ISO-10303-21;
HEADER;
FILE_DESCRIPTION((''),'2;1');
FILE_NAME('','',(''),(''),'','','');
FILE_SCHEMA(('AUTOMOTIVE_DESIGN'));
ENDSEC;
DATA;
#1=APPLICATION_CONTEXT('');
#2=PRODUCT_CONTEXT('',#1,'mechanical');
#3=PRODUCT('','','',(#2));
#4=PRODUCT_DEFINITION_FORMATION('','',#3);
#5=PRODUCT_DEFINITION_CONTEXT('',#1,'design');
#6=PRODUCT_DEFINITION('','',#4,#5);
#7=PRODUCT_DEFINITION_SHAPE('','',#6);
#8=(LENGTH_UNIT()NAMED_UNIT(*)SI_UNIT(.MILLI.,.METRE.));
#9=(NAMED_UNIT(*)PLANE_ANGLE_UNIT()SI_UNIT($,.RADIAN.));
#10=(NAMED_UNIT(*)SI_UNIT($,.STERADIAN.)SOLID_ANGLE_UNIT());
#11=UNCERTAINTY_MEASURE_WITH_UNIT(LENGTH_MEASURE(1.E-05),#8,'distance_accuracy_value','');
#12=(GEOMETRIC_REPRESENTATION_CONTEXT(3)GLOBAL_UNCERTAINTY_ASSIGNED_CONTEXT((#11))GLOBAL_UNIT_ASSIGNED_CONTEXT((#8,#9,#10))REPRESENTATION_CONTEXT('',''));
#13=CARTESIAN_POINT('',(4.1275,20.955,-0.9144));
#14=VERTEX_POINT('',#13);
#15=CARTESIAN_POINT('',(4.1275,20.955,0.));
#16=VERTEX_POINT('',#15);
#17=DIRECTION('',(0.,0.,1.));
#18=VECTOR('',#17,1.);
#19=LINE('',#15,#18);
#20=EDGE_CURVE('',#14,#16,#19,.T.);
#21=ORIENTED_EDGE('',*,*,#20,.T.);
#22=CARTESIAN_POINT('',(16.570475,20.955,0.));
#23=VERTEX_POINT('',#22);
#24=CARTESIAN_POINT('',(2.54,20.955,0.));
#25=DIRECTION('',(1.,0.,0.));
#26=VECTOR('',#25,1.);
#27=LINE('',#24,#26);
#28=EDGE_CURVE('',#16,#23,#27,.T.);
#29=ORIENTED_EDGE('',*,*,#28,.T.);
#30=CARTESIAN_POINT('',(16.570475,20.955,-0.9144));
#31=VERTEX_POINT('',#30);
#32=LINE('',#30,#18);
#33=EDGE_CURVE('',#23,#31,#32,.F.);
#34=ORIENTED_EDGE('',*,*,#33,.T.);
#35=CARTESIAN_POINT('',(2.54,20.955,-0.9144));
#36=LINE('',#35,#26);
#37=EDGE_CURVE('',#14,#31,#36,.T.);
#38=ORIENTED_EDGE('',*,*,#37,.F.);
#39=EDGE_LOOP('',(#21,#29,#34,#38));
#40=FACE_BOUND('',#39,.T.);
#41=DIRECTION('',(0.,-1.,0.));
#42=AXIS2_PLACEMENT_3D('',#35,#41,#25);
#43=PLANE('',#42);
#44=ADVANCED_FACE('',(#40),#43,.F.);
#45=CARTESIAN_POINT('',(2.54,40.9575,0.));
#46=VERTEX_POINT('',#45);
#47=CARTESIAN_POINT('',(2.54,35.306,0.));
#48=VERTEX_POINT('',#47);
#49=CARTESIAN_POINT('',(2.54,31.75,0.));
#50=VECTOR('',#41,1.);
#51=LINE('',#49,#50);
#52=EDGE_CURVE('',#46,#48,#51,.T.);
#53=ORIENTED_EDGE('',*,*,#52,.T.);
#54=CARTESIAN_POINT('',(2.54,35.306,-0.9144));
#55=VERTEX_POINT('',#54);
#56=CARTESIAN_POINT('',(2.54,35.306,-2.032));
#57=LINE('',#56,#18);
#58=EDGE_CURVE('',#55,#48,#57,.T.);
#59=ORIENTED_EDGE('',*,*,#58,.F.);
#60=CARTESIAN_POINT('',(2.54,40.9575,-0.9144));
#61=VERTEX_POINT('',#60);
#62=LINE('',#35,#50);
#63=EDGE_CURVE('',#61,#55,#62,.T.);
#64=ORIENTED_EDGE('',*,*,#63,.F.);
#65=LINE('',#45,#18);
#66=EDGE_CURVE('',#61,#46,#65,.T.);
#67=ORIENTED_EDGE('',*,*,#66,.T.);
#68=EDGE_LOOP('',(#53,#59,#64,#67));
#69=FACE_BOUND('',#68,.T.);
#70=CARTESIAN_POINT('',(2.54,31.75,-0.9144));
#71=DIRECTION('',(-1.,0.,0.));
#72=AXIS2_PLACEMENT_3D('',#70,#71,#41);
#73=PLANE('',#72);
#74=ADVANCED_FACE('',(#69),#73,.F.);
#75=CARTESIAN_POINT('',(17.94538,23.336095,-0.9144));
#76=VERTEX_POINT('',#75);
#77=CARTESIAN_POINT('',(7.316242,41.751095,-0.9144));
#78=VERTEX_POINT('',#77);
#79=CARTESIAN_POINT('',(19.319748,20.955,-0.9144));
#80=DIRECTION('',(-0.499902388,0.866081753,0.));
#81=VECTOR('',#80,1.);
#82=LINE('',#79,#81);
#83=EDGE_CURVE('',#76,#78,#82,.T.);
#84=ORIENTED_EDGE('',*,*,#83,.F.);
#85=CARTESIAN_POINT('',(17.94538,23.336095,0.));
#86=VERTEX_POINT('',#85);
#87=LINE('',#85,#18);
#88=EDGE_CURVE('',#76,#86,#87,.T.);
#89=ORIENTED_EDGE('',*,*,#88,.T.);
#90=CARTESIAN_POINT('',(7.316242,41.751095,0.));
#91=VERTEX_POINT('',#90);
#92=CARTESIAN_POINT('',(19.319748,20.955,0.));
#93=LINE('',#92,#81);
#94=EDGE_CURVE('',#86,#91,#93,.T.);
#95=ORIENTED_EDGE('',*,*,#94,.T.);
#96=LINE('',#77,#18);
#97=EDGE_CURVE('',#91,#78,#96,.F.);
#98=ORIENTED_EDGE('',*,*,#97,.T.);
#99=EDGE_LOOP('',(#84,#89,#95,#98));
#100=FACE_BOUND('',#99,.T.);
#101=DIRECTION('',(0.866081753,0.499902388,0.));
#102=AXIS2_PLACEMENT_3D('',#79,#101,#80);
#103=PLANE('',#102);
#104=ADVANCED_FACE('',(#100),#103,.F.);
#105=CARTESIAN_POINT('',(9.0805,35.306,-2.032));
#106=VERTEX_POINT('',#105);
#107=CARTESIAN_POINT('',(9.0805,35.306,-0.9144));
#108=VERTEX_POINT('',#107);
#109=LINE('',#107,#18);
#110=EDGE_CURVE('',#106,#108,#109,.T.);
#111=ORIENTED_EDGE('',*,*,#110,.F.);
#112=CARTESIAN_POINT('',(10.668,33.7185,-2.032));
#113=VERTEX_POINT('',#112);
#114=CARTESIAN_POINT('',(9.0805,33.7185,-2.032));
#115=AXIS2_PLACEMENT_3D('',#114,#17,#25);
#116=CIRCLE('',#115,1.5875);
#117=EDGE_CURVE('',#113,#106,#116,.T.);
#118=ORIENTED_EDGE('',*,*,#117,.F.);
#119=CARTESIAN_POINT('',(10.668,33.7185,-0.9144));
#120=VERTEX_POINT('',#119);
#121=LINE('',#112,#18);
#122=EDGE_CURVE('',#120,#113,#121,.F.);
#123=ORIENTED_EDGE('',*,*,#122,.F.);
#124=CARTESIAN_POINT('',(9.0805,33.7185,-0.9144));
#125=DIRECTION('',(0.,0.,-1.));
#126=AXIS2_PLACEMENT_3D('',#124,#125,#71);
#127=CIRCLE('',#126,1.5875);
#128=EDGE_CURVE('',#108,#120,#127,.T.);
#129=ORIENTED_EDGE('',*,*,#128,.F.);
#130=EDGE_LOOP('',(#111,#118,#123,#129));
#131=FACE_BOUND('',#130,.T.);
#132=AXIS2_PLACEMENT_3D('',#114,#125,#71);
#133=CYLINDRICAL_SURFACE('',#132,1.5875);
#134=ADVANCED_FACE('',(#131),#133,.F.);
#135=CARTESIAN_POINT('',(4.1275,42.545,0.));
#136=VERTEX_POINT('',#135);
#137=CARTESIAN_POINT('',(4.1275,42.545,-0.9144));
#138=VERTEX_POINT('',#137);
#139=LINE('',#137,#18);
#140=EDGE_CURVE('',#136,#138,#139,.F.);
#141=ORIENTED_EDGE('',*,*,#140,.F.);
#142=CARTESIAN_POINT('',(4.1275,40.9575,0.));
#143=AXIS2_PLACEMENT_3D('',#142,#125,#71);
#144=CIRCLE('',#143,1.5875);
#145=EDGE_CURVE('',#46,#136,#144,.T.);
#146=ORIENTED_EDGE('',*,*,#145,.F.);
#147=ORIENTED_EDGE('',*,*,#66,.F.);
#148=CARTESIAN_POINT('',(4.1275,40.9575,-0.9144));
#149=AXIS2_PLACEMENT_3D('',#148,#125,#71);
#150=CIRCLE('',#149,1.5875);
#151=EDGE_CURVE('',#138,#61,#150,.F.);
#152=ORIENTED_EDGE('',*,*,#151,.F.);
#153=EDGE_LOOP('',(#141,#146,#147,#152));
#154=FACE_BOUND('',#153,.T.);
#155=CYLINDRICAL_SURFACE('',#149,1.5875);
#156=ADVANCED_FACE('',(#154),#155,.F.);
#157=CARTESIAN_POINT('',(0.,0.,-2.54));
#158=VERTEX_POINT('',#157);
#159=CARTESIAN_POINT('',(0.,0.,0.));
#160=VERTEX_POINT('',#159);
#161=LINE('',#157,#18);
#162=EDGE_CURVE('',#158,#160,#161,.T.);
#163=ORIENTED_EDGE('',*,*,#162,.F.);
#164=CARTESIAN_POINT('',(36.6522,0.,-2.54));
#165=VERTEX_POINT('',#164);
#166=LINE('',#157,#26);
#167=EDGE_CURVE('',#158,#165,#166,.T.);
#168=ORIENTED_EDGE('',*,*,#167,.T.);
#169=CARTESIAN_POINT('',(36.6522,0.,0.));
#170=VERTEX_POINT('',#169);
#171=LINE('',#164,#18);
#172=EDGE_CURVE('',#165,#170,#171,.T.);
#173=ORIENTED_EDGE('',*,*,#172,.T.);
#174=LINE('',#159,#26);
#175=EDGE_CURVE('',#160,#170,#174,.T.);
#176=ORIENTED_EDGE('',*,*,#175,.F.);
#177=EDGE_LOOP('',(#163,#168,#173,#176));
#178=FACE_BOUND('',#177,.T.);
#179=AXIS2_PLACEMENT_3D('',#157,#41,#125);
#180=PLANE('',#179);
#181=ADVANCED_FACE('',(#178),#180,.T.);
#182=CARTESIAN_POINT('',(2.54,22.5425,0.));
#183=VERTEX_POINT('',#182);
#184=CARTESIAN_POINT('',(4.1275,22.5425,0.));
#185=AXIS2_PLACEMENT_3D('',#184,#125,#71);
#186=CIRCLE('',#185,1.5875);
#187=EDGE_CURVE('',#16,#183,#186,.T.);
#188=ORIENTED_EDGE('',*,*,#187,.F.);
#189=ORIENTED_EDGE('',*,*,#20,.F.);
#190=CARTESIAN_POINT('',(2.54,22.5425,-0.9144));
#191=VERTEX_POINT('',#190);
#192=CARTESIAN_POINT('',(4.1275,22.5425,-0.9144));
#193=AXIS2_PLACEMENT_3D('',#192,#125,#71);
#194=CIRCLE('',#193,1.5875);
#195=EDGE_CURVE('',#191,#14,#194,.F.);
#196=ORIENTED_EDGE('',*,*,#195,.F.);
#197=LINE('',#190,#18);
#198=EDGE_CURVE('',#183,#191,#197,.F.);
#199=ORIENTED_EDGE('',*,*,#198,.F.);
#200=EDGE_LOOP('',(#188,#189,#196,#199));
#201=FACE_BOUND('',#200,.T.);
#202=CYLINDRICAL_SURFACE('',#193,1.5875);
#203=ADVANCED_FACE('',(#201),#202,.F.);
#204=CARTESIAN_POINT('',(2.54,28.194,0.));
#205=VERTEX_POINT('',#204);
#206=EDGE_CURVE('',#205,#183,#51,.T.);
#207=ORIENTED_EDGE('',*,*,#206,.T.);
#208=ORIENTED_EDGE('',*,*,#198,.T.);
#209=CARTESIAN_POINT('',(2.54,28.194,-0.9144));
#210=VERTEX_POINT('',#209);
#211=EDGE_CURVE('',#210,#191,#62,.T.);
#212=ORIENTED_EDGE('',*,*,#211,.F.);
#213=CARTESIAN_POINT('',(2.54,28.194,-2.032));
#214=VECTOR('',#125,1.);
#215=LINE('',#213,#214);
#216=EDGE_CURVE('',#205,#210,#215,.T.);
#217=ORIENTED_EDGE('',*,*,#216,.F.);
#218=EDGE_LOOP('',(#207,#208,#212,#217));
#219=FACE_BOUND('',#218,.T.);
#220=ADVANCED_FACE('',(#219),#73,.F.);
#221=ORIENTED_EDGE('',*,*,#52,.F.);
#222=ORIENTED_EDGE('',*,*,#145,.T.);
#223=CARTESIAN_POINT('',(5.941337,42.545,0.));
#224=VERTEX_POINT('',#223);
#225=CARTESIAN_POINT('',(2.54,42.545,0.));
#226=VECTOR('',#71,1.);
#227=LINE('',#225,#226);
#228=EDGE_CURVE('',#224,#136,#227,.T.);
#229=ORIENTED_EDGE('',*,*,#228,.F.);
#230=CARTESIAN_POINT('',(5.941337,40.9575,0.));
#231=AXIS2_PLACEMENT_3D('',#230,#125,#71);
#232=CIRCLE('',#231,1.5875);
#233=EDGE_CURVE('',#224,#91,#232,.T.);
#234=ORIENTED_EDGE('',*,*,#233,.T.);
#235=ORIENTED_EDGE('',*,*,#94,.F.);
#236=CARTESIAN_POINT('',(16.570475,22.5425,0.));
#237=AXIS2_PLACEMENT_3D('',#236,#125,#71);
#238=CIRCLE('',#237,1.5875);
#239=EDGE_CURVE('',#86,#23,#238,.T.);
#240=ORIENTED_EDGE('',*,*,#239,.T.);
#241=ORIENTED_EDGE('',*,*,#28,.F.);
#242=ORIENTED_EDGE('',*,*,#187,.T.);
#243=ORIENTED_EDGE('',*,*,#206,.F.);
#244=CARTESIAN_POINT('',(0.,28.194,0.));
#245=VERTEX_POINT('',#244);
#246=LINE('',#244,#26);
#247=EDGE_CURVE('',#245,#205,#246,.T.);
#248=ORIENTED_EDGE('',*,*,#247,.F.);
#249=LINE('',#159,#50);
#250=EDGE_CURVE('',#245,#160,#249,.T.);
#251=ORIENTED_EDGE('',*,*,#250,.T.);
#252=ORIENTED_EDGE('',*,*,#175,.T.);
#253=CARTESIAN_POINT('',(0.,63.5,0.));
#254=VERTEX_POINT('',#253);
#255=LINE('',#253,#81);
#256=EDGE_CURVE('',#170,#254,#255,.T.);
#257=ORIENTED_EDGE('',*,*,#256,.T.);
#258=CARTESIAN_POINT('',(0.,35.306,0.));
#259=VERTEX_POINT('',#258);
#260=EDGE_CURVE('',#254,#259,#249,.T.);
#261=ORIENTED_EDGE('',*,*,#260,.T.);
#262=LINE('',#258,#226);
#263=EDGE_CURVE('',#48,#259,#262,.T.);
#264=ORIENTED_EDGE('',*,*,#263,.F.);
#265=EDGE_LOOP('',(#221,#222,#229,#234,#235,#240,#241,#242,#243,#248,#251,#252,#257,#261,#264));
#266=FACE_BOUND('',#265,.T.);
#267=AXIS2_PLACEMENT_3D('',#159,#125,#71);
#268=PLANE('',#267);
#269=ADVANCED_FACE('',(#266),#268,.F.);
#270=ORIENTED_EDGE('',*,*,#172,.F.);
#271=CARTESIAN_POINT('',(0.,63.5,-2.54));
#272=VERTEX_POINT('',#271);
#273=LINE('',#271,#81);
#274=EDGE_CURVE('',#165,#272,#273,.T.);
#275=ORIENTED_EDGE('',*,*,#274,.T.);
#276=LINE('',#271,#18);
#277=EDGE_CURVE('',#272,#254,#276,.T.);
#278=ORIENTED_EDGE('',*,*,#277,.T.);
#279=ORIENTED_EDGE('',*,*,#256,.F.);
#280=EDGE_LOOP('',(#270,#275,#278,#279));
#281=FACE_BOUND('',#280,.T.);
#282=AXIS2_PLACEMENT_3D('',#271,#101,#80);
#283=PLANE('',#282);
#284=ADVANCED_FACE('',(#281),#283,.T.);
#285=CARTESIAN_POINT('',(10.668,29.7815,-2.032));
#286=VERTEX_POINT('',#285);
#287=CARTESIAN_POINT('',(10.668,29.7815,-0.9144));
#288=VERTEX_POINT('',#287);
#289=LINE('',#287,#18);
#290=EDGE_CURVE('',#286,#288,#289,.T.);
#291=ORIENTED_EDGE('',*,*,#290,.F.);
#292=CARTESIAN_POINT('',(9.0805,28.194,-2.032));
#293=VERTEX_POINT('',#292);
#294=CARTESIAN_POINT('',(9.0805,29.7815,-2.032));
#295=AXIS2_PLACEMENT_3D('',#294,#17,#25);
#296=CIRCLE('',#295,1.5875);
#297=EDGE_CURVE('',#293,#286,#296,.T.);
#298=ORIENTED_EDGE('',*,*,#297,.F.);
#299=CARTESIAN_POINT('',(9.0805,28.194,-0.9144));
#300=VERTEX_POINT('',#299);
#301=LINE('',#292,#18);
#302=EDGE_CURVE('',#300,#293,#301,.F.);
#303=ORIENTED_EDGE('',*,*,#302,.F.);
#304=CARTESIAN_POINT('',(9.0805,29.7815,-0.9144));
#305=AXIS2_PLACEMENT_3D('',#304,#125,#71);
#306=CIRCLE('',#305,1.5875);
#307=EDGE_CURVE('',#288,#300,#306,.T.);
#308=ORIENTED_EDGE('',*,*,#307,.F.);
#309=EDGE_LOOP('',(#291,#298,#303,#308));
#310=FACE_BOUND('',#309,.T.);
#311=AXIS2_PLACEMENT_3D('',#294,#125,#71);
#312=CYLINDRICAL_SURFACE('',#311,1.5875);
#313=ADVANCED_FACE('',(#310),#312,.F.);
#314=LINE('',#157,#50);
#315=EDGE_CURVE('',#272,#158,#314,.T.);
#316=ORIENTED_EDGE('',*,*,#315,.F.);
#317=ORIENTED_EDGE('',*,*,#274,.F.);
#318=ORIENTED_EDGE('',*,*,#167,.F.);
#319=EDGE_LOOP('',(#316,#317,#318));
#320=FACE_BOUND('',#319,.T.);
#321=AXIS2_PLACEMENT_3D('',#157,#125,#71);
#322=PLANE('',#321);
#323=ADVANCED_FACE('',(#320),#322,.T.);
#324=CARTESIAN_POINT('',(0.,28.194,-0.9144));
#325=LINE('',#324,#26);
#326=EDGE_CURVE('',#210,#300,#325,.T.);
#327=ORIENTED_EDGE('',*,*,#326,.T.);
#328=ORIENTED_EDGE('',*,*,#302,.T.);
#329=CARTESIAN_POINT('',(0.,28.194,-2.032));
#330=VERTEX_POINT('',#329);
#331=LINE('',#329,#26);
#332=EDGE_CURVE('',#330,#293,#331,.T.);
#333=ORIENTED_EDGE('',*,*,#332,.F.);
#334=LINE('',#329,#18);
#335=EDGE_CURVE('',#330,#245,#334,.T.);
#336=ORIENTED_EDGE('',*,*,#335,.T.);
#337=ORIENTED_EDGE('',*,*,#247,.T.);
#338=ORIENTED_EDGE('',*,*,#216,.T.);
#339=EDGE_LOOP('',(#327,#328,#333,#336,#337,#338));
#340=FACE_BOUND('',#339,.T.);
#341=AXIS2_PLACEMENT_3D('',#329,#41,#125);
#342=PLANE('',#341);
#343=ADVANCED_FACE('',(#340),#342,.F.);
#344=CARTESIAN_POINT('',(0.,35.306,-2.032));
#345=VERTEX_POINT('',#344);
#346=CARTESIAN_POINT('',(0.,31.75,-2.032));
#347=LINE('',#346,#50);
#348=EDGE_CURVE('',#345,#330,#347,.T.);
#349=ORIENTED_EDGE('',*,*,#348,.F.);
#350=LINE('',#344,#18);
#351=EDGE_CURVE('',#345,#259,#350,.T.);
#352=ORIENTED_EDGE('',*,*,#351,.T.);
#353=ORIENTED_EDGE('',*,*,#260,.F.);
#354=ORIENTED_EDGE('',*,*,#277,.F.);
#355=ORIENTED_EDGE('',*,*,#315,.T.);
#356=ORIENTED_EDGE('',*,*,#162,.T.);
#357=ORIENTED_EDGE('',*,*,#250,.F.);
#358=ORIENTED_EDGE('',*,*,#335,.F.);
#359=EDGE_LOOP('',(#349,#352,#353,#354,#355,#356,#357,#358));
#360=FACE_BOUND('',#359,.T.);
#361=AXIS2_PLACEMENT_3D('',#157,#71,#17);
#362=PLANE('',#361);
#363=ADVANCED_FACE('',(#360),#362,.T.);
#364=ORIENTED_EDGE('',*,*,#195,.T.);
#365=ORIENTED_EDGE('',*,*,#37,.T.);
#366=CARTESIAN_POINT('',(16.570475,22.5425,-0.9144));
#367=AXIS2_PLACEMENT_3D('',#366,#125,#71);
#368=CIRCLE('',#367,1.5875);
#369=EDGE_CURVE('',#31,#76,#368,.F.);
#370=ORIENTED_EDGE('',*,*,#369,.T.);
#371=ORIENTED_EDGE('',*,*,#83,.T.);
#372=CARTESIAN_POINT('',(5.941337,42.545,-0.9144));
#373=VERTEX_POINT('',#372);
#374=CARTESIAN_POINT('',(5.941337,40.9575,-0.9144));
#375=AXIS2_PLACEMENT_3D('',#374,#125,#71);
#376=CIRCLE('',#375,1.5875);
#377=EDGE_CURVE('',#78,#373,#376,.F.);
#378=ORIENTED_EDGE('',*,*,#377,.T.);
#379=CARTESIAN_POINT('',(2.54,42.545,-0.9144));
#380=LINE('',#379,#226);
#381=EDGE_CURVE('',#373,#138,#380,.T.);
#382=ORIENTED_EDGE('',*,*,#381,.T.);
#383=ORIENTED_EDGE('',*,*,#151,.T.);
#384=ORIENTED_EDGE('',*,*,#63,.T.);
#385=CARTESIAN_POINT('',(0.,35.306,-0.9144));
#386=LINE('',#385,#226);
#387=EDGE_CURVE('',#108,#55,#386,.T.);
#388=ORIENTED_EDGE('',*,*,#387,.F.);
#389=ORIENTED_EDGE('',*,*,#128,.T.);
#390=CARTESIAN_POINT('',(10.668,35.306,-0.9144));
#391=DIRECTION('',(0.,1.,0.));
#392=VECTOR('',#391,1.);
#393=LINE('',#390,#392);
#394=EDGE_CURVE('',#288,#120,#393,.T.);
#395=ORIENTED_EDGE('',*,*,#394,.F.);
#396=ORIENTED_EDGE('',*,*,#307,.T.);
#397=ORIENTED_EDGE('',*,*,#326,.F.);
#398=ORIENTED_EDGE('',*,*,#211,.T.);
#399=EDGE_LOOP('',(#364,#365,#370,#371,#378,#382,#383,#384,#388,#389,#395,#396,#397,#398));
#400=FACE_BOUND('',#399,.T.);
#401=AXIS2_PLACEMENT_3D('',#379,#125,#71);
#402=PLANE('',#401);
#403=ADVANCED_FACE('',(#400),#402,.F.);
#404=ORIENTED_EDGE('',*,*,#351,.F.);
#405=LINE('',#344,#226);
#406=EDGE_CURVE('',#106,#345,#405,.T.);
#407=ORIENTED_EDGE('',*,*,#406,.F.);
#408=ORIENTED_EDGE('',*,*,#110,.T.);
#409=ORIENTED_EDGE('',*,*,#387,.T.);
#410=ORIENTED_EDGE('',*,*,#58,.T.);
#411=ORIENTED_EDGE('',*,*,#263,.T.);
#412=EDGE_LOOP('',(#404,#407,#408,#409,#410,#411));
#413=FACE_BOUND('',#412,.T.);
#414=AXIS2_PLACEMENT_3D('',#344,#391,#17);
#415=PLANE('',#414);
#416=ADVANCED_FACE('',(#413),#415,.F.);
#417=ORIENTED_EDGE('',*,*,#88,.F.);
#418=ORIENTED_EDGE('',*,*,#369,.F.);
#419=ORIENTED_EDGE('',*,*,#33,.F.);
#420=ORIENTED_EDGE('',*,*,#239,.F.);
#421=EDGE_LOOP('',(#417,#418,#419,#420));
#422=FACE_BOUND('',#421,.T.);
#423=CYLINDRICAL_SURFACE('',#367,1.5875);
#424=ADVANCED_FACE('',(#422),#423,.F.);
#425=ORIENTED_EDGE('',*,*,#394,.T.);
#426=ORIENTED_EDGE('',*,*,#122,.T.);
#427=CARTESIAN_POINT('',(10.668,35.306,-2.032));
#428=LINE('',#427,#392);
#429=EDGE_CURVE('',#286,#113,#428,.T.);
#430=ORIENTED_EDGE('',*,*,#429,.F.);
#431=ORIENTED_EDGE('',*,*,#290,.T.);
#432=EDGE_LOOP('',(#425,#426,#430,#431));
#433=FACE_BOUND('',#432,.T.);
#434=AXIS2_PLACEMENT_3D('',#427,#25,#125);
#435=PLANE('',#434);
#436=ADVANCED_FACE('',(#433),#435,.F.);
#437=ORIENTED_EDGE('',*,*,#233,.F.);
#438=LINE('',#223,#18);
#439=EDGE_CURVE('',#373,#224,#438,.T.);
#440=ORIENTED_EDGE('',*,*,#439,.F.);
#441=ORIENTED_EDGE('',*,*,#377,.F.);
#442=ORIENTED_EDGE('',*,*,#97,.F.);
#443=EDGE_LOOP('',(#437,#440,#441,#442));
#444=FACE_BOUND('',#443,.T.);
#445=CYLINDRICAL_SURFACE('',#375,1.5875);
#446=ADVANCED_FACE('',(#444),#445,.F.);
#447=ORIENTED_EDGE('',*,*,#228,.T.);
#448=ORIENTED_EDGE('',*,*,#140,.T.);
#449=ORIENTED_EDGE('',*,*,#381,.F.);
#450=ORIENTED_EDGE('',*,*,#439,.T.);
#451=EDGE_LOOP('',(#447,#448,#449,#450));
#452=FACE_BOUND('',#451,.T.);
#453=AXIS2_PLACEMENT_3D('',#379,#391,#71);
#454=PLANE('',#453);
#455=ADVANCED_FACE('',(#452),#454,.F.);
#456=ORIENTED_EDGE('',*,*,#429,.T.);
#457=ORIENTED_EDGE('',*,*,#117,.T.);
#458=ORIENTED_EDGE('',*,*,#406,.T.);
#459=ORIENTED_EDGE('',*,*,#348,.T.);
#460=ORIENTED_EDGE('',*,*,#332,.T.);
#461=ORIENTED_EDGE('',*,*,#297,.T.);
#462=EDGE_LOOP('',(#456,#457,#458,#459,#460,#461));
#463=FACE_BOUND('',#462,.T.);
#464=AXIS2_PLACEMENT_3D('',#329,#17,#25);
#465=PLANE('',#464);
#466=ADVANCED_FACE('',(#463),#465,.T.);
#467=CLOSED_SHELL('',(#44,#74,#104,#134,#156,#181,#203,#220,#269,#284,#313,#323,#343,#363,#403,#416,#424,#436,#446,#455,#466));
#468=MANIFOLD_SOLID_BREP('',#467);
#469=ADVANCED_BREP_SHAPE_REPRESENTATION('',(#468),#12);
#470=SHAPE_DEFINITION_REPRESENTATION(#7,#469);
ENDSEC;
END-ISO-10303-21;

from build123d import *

# Parameters (mm, degrees)
EXTRUDE1_DEPTH = 2.54
EXTRUDE3_DEPTH = 2.032
EXTRUDE2_DEPTH = 0.9144
FILLET1_R      = 1.5875


with BuildPart() as part:
    # Sketch1 → Extrude1 (new body)
    with BuildSketch(Plane.XY):
        Polygon((0, 63.5), (36.6522, 0), (0, 0), align=None)
    extrude(amount=-EXTRUDE1_DEPTH)

    # Sketch4 → Extrude3 (cut)
    with BuildSketch(Plane.XY):
        Polygon((0, 31.75), (0, 35.306), (10.668, 35.306), (10.668, 28.194), (0, 28.194), align=None)
    extrude(amount=-EXTRUDE3_DEPTH, mode=Mode.SUBTRACT)

    # Sketch3 → Extrude2 (cut)
    with BuildSketch(Plane.XY):
        Polygon((2.54, 31.75), (2.54, 42.545), (6.858, 42.545), (19.319748, 20.955), (2.54, 20.955), align=None)
    extrude(amount=-EXTRUDE2_DEPTH, mode=Mode.SUBTRACT)

    # Fillet1
    fillet1_edges = [part.edges().sort_by_distance(p)[0] for p in [
        (10.668, 35.306, -1.4732),
        (10.668, 28.194, -1.4732),
        (2.54, 20.955, -0.4572),
        (2.54, 42.545, -0.4572),
        (6.858, 42.545, -0.4572),
        (19.319748, 20.955, -0.4572),
    ]]
    fillet(fillet1_edges, radius=FILLET1_R)


solid = part.part
